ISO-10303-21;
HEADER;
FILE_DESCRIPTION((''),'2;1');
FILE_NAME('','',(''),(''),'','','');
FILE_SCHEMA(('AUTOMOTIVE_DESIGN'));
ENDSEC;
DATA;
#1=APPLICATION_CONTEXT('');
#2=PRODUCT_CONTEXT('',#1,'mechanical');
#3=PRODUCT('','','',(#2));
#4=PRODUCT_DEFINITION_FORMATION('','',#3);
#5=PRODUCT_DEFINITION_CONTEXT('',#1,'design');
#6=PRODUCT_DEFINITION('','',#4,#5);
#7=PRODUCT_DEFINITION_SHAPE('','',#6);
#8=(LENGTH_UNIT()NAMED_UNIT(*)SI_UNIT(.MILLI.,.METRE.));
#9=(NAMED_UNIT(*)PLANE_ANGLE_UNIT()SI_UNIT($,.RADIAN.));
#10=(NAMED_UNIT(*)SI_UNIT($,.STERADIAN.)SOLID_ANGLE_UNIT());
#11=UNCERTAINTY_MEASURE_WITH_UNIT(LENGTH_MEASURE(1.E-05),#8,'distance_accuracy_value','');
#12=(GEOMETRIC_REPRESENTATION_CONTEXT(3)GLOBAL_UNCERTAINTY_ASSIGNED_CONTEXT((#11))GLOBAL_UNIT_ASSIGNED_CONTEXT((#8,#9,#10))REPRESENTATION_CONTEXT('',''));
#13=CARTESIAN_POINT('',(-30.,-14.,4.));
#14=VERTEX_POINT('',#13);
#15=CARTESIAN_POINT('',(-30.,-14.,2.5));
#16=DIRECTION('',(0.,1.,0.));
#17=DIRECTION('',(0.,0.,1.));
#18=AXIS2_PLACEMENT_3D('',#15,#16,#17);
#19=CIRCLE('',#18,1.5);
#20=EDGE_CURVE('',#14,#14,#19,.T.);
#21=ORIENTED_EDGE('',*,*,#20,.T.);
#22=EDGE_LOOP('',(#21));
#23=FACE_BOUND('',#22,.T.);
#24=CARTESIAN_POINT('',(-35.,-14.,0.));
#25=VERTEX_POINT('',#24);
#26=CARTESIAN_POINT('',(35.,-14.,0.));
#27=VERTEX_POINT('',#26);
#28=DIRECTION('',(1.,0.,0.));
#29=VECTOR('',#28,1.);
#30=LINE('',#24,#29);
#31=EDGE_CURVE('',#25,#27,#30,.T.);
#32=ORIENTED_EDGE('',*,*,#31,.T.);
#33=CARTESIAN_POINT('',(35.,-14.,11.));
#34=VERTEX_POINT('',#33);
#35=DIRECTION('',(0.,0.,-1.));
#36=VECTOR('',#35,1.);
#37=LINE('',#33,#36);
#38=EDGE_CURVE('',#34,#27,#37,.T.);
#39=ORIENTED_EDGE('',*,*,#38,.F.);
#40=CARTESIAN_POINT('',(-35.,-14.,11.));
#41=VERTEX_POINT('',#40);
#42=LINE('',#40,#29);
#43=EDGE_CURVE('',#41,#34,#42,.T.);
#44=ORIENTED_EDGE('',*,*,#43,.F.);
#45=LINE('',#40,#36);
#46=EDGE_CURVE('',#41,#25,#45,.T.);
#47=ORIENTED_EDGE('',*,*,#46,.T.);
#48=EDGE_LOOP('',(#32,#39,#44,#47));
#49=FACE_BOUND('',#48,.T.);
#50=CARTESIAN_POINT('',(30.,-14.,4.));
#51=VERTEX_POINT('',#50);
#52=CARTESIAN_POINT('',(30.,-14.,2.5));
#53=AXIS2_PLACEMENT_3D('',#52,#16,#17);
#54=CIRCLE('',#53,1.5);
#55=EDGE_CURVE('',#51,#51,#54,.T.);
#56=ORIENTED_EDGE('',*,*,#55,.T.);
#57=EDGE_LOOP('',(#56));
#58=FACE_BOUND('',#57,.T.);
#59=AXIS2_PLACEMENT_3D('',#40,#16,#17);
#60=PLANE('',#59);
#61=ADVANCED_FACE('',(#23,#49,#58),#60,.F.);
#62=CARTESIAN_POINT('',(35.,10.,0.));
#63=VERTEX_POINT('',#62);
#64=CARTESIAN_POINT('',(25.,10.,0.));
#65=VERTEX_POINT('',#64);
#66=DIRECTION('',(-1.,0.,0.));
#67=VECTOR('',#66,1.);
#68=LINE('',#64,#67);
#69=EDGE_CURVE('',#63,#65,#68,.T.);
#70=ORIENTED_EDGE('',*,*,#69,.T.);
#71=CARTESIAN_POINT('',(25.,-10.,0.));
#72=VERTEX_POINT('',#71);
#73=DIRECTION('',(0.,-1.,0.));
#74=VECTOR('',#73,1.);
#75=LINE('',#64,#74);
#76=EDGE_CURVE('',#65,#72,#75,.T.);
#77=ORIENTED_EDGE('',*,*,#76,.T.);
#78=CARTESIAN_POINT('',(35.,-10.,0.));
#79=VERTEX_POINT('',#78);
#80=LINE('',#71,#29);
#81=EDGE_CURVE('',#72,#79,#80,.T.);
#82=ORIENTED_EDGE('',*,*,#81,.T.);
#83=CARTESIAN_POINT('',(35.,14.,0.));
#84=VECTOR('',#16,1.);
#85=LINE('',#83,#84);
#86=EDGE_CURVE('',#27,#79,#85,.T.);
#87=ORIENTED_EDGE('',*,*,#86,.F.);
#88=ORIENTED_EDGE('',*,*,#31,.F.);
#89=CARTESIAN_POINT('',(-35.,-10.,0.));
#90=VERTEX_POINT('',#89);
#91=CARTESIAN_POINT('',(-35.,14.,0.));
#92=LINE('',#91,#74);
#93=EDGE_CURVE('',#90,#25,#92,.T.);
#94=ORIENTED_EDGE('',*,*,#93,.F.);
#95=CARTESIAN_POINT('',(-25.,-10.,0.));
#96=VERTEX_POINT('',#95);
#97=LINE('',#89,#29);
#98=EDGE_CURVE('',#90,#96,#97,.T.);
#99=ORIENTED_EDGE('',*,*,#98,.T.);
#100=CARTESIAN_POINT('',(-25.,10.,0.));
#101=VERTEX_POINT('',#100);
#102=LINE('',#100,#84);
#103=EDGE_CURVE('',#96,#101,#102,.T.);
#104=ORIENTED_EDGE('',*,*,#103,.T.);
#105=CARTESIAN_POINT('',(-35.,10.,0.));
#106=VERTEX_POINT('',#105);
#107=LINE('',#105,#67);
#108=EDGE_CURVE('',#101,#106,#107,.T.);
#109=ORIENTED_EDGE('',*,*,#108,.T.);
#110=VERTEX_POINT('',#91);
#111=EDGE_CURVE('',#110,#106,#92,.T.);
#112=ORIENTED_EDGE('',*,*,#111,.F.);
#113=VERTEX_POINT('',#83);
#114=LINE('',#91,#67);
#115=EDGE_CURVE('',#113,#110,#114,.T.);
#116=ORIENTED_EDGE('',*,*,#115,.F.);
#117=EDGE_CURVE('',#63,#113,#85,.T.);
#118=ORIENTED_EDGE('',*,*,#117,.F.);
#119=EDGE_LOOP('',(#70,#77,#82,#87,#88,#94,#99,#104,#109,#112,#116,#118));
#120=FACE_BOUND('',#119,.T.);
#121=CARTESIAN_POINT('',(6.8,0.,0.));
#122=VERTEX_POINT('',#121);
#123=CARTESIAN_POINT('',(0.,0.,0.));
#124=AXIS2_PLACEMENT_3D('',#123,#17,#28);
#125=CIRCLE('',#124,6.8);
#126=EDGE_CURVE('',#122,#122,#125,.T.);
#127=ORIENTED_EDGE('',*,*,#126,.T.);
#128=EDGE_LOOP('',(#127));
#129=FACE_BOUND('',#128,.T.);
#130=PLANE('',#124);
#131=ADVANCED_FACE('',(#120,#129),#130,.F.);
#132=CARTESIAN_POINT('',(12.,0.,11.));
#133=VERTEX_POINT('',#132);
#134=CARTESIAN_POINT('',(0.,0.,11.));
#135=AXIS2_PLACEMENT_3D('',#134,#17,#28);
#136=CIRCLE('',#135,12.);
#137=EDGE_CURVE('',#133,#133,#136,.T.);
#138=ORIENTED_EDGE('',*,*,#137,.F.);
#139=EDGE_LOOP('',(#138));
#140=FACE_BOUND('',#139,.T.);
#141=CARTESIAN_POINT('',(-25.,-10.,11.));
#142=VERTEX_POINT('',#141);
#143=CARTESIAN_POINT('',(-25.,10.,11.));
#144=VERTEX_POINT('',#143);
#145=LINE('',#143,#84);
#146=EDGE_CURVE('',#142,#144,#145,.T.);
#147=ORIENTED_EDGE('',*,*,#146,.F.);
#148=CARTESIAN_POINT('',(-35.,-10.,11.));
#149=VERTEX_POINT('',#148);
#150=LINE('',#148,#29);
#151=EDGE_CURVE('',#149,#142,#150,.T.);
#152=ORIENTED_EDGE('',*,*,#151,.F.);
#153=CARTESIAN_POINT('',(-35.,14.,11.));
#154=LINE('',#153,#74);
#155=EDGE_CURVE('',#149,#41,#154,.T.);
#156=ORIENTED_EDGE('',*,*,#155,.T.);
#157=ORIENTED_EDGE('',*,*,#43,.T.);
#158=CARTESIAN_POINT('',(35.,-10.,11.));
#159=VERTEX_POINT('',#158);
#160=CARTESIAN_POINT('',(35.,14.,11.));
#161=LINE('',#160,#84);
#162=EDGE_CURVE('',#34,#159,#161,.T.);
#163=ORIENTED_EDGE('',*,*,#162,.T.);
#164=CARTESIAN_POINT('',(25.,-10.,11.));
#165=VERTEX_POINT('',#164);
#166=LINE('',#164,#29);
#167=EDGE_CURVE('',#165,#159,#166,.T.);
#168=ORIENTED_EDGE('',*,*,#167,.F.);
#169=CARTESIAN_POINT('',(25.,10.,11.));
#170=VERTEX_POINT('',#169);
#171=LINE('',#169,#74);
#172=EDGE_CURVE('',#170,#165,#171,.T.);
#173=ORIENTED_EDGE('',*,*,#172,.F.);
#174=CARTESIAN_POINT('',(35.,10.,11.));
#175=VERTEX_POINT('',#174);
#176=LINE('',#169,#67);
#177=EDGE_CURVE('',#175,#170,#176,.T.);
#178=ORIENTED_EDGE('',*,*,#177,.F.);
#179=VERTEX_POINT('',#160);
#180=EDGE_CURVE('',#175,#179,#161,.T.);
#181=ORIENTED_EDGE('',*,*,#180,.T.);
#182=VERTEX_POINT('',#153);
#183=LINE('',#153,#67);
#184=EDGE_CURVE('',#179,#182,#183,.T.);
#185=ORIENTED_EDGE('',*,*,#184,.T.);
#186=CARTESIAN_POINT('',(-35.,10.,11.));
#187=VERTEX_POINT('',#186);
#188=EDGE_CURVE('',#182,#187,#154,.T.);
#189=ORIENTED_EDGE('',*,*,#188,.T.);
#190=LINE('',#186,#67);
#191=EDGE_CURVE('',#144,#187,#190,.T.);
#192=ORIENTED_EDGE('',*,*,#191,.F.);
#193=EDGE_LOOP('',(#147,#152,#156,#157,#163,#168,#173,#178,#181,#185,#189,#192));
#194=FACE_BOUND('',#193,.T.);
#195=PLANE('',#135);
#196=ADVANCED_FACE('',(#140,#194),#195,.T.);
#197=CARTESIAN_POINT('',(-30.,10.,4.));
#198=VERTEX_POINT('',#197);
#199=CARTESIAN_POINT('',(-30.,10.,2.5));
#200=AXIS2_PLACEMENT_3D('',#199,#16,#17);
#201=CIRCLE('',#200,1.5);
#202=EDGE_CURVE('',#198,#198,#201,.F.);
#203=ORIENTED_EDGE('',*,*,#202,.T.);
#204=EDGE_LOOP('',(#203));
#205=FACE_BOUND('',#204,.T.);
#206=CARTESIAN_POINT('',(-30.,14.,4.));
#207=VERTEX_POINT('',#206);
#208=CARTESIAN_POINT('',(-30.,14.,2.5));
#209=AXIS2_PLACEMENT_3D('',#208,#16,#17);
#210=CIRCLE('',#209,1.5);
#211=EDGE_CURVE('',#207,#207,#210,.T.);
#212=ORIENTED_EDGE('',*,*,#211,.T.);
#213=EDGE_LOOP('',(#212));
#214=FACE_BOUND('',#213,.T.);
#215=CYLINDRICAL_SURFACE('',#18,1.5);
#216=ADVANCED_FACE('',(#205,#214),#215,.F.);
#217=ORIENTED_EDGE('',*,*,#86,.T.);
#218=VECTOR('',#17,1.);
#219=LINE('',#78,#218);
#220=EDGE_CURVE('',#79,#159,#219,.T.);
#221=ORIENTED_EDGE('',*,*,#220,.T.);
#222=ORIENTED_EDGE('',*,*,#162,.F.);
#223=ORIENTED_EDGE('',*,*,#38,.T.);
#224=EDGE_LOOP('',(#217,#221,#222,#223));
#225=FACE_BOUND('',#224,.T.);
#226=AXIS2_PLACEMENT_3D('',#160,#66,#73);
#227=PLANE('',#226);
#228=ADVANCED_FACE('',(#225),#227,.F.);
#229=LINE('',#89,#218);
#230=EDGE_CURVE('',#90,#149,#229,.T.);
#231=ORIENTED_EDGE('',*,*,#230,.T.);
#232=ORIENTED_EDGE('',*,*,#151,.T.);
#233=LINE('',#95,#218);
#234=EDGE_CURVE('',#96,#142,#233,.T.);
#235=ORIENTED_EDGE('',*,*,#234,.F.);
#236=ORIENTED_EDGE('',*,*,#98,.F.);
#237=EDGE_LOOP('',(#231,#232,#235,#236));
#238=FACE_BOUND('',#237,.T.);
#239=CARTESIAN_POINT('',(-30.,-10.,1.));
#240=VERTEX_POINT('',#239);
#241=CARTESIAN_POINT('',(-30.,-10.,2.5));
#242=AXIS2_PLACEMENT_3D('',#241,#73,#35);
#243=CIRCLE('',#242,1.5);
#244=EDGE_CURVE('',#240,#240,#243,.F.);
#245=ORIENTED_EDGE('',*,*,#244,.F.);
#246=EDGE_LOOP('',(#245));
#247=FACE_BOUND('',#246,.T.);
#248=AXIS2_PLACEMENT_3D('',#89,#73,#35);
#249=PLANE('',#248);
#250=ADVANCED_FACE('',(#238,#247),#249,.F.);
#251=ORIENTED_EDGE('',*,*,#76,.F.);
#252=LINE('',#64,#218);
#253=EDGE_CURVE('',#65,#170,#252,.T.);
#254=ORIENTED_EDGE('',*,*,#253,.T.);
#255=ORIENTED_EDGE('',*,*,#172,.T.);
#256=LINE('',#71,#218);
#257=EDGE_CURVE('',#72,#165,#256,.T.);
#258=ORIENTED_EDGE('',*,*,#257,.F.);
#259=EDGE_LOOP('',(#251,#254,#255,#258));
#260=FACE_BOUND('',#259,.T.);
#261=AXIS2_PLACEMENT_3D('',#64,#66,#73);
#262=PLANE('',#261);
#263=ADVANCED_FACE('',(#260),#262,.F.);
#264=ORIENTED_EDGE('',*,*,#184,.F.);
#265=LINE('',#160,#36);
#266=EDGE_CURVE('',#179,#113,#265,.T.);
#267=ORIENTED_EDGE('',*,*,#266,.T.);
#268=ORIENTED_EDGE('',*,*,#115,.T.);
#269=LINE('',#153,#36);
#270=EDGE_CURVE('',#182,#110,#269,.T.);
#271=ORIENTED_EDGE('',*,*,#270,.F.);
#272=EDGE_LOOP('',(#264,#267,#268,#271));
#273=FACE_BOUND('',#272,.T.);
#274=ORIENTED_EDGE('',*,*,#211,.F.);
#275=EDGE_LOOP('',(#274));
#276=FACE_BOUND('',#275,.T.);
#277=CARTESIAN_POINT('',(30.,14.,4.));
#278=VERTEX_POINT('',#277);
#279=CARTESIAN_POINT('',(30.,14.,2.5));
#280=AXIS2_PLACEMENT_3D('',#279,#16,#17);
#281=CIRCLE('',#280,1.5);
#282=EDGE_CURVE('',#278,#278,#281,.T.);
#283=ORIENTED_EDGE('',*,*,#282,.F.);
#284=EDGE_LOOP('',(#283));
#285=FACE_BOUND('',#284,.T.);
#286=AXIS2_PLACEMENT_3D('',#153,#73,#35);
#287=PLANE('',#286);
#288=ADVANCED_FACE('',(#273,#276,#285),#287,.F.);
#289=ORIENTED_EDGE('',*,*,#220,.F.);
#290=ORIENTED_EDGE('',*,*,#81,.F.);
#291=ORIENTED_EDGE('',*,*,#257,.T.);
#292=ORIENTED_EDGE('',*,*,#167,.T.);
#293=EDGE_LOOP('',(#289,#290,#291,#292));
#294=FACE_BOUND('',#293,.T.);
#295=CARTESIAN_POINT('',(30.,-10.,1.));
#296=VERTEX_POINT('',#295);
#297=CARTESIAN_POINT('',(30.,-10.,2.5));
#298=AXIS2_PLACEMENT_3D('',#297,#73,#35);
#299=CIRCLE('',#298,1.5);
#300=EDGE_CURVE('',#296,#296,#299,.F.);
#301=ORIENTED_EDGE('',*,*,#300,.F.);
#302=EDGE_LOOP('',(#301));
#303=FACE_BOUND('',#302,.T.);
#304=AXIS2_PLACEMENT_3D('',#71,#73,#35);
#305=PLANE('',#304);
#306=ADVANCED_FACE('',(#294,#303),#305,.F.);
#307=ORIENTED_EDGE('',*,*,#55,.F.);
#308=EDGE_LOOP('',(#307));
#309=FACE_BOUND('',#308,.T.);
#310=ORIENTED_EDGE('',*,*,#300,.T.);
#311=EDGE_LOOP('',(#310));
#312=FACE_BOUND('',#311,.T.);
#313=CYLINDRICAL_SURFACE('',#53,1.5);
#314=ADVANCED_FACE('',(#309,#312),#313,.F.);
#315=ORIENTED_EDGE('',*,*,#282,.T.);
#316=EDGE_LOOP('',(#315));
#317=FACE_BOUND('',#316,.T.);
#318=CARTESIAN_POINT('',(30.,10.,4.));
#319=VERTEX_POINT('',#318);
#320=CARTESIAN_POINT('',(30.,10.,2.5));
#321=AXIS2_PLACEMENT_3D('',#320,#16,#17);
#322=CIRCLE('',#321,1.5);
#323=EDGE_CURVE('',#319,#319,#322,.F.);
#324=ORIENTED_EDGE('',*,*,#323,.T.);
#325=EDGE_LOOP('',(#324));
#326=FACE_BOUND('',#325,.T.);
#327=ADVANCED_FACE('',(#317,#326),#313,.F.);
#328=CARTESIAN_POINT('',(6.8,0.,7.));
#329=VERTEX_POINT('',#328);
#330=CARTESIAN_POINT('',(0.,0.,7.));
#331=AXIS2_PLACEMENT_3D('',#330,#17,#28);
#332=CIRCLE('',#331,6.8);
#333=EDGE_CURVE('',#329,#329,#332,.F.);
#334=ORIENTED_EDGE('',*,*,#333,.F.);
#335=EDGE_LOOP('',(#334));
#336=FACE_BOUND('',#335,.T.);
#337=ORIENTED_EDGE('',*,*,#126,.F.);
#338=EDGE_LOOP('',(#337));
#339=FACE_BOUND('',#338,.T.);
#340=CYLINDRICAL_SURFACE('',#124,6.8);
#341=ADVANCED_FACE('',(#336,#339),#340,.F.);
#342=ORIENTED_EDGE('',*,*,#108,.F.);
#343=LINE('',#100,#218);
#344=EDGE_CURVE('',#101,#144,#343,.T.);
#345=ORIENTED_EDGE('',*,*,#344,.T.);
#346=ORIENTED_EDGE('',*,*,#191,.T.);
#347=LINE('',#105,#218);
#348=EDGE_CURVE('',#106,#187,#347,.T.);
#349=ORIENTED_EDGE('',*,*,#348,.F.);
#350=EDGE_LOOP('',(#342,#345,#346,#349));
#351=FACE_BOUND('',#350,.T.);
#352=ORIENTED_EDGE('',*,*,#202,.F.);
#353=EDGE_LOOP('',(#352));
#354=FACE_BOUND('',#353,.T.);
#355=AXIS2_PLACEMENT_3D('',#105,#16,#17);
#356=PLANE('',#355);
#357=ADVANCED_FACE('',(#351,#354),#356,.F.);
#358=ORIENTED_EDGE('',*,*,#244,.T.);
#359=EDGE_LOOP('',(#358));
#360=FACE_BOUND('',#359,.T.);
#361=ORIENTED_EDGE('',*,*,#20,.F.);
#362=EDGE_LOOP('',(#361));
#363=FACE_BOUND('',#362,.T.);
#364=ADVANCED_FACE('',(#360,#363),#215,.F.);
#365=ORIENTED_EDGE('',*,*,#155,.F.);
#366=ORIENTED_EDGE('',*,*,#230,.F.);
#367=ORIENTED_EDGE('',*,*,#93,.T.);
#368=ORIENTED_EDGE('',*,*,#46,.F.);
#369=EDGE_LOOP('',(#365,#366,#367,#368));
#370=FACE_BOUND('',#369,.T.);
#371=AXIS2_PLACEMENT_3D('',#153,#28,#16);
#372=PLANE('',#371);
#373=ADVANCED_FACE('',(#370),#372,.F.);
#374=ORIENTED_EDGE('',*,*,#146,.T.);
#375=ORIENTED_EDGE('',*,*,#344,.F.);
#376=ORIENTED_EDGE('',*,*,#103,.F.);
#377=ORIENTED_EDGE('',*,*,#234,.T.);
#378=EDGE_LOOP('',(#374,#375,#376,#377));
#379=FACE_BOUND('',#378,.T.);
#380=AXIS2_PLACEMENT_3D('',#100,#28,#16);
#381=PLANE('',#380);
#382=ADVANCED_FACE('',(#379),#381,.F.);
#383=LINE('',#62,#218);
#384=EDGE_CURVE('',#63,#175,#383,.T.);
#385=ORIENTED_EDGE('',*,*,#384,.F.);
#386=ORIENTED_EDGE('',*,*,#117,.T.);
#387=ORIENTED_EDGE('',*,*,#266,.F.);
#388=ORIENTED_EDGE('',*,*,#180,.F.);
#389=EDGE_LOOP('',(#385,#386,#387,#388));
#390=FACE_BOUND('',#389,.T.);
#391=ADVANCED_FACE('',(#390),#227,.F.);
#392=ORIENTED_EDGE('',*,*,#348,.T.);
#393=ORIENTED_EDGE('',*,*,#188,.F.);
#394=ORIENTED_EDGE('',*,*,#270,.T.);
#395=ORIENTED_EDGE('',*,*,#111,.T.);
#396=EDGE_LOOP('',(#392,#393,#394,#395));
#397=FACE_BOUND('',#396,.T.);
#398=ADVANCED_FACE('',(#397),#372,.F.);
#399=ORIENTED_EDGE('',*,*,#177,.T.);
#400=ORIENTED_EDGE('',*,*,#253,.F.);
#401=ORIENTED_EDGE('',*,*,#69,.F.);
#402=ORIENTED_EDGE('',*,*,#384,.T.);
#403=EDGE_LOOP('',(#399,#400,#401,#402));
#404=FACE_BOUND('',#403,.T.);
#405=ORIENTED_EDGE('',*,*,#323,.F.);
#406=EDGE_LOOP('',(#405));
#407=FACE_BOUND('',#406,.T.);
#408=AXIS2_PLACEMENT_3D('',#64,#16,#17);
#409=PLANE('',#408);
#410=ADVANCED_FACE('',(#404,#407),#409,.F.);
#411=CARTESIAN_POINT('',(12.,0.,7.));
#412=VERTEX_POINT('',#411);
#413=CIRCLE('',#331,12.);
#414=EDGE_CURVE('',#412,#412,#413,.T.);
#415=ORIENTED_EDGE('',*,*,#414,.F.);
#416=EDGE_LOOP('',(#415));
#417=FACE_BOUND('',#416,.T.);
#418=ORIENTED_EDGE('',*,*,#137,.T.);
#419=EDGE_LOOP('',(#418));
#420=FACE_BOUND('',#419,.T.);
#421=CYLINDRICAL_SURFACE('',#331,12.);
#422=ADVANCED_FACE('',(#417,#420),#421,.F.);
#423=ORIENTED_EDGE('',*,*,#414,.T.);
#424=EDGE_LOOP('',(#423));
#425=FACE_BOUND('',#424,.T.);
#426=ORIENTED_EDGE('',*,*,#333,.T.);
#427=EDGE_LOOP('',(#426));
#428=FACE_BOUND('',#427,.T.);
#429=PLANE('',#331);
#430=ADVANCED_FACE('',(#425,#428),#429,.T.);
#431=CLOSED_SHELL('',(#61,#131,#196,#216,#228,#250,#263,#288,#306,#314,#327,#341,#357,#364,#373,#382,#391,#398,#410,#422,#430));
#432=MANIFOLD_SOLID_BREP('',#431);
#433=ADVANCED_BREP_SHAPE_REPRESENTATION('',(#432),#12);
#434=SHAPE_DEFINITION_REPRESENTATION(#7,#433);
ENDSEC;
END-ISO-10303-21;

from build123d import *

# Parameters (mm, degrees)
ESQUISSE1_W             = 70
ESQUISSE1_H             = 28
BOSS_EXTRU_1_DEPTH      = 11
ESQUISSE2_R             = 1.5
ENL_V_MAT_EXTRU_1_DEPTH = 29
ESQUISSE3_R             = 6.8
ENL_V_MAT_EXTRU_2_DEPTH = 12
ESQUISSE4_R             = 12
ENL_V_MAT_EXTRU_3_DEPTH = 4
ESQUISSE5_W             = 10
ESQUISSE5_H             = 20
ENL_V_MAT_EXTRU_4_DEPTH = 12
ESQUISSE6_W             = 10
ESQUISSE6_H             = 20
ENL_V_MAT_EXTRU_5_DEPTH = 12


with BuildPart() as part:
    # Esquisse1 → Boss.-Extru.1 (new body)
    with BuildSketch(Plane.XY):
        Rectangle(ESQUISSE1_W, ESQUISSE1_H)
    extrude(amount=BOSS_EXTRU_1_DEPTH)

    # Esquisse2 → Enlèv. mat.-Extru.1 (cut, through all)
    with BuildSketch(Plane(origin=(0, 14, 0), x_dir=(1, 0, 0), z_dir=(0, 1, 0))):
        with Locations((30, -2.5)):
            Circle(ESQUISSE2_R)
        with Locations((-30, -2.5)):
            Circle(ESQUISSE2_R)
    extrude(amount=-ENL_V_MAT_EXTRU_1_DEPTH, mode=Mode.SUBTRACT)

    # Esquisse3 → Enlèv. mat.-Extru.2 (cut, through all)
    with BuildSketch(Plane.XY.offset(11)):
        Circle(ESQUISSE3_R)
    extrude(amount=-ENL_V_MAT_EXTRU_2_DEPTH, mode=Mode.SUBTRACT)

    # Esquisse4 → Enlèv. mat.-Extru.3 (cut)
    with BuildSketch(Plane.XY.offset(11)):
        Circle(ESQUISSE4_R)
    extrude(amount=-ENL_V_MAT_EXTRU_3_DEPTH, mode=Mode.SUBTRACT)

    # Esquisse5 → Enlèv. mat.-Extru.4 (cut, through all)
    with BuildSketch(Plane.XY.offset(11)):
        with Locations((-30, 0)):
            Rectangle(ESQUISSE5_W, ESQUISSE5_H)
    extrude(amount=-ENL_V_MAT_EXTRU_4_DEPTH, mode=Mode.SUBTRACT)

    # Esquisse6 → Enlèv. mat.-Extru.5 (cut, through all)
    with BuildSketch(Plane.XY.offset(11)):
        with Locations((30, 0)):
            Rectangle(ESQUISSE6_W, ESQUISSE6_H)
    extrude(amount=-ENL_V_MAT_EXTRU_5_DEPTH, mode=Mode.SUBTRACT)


solid = part.part
